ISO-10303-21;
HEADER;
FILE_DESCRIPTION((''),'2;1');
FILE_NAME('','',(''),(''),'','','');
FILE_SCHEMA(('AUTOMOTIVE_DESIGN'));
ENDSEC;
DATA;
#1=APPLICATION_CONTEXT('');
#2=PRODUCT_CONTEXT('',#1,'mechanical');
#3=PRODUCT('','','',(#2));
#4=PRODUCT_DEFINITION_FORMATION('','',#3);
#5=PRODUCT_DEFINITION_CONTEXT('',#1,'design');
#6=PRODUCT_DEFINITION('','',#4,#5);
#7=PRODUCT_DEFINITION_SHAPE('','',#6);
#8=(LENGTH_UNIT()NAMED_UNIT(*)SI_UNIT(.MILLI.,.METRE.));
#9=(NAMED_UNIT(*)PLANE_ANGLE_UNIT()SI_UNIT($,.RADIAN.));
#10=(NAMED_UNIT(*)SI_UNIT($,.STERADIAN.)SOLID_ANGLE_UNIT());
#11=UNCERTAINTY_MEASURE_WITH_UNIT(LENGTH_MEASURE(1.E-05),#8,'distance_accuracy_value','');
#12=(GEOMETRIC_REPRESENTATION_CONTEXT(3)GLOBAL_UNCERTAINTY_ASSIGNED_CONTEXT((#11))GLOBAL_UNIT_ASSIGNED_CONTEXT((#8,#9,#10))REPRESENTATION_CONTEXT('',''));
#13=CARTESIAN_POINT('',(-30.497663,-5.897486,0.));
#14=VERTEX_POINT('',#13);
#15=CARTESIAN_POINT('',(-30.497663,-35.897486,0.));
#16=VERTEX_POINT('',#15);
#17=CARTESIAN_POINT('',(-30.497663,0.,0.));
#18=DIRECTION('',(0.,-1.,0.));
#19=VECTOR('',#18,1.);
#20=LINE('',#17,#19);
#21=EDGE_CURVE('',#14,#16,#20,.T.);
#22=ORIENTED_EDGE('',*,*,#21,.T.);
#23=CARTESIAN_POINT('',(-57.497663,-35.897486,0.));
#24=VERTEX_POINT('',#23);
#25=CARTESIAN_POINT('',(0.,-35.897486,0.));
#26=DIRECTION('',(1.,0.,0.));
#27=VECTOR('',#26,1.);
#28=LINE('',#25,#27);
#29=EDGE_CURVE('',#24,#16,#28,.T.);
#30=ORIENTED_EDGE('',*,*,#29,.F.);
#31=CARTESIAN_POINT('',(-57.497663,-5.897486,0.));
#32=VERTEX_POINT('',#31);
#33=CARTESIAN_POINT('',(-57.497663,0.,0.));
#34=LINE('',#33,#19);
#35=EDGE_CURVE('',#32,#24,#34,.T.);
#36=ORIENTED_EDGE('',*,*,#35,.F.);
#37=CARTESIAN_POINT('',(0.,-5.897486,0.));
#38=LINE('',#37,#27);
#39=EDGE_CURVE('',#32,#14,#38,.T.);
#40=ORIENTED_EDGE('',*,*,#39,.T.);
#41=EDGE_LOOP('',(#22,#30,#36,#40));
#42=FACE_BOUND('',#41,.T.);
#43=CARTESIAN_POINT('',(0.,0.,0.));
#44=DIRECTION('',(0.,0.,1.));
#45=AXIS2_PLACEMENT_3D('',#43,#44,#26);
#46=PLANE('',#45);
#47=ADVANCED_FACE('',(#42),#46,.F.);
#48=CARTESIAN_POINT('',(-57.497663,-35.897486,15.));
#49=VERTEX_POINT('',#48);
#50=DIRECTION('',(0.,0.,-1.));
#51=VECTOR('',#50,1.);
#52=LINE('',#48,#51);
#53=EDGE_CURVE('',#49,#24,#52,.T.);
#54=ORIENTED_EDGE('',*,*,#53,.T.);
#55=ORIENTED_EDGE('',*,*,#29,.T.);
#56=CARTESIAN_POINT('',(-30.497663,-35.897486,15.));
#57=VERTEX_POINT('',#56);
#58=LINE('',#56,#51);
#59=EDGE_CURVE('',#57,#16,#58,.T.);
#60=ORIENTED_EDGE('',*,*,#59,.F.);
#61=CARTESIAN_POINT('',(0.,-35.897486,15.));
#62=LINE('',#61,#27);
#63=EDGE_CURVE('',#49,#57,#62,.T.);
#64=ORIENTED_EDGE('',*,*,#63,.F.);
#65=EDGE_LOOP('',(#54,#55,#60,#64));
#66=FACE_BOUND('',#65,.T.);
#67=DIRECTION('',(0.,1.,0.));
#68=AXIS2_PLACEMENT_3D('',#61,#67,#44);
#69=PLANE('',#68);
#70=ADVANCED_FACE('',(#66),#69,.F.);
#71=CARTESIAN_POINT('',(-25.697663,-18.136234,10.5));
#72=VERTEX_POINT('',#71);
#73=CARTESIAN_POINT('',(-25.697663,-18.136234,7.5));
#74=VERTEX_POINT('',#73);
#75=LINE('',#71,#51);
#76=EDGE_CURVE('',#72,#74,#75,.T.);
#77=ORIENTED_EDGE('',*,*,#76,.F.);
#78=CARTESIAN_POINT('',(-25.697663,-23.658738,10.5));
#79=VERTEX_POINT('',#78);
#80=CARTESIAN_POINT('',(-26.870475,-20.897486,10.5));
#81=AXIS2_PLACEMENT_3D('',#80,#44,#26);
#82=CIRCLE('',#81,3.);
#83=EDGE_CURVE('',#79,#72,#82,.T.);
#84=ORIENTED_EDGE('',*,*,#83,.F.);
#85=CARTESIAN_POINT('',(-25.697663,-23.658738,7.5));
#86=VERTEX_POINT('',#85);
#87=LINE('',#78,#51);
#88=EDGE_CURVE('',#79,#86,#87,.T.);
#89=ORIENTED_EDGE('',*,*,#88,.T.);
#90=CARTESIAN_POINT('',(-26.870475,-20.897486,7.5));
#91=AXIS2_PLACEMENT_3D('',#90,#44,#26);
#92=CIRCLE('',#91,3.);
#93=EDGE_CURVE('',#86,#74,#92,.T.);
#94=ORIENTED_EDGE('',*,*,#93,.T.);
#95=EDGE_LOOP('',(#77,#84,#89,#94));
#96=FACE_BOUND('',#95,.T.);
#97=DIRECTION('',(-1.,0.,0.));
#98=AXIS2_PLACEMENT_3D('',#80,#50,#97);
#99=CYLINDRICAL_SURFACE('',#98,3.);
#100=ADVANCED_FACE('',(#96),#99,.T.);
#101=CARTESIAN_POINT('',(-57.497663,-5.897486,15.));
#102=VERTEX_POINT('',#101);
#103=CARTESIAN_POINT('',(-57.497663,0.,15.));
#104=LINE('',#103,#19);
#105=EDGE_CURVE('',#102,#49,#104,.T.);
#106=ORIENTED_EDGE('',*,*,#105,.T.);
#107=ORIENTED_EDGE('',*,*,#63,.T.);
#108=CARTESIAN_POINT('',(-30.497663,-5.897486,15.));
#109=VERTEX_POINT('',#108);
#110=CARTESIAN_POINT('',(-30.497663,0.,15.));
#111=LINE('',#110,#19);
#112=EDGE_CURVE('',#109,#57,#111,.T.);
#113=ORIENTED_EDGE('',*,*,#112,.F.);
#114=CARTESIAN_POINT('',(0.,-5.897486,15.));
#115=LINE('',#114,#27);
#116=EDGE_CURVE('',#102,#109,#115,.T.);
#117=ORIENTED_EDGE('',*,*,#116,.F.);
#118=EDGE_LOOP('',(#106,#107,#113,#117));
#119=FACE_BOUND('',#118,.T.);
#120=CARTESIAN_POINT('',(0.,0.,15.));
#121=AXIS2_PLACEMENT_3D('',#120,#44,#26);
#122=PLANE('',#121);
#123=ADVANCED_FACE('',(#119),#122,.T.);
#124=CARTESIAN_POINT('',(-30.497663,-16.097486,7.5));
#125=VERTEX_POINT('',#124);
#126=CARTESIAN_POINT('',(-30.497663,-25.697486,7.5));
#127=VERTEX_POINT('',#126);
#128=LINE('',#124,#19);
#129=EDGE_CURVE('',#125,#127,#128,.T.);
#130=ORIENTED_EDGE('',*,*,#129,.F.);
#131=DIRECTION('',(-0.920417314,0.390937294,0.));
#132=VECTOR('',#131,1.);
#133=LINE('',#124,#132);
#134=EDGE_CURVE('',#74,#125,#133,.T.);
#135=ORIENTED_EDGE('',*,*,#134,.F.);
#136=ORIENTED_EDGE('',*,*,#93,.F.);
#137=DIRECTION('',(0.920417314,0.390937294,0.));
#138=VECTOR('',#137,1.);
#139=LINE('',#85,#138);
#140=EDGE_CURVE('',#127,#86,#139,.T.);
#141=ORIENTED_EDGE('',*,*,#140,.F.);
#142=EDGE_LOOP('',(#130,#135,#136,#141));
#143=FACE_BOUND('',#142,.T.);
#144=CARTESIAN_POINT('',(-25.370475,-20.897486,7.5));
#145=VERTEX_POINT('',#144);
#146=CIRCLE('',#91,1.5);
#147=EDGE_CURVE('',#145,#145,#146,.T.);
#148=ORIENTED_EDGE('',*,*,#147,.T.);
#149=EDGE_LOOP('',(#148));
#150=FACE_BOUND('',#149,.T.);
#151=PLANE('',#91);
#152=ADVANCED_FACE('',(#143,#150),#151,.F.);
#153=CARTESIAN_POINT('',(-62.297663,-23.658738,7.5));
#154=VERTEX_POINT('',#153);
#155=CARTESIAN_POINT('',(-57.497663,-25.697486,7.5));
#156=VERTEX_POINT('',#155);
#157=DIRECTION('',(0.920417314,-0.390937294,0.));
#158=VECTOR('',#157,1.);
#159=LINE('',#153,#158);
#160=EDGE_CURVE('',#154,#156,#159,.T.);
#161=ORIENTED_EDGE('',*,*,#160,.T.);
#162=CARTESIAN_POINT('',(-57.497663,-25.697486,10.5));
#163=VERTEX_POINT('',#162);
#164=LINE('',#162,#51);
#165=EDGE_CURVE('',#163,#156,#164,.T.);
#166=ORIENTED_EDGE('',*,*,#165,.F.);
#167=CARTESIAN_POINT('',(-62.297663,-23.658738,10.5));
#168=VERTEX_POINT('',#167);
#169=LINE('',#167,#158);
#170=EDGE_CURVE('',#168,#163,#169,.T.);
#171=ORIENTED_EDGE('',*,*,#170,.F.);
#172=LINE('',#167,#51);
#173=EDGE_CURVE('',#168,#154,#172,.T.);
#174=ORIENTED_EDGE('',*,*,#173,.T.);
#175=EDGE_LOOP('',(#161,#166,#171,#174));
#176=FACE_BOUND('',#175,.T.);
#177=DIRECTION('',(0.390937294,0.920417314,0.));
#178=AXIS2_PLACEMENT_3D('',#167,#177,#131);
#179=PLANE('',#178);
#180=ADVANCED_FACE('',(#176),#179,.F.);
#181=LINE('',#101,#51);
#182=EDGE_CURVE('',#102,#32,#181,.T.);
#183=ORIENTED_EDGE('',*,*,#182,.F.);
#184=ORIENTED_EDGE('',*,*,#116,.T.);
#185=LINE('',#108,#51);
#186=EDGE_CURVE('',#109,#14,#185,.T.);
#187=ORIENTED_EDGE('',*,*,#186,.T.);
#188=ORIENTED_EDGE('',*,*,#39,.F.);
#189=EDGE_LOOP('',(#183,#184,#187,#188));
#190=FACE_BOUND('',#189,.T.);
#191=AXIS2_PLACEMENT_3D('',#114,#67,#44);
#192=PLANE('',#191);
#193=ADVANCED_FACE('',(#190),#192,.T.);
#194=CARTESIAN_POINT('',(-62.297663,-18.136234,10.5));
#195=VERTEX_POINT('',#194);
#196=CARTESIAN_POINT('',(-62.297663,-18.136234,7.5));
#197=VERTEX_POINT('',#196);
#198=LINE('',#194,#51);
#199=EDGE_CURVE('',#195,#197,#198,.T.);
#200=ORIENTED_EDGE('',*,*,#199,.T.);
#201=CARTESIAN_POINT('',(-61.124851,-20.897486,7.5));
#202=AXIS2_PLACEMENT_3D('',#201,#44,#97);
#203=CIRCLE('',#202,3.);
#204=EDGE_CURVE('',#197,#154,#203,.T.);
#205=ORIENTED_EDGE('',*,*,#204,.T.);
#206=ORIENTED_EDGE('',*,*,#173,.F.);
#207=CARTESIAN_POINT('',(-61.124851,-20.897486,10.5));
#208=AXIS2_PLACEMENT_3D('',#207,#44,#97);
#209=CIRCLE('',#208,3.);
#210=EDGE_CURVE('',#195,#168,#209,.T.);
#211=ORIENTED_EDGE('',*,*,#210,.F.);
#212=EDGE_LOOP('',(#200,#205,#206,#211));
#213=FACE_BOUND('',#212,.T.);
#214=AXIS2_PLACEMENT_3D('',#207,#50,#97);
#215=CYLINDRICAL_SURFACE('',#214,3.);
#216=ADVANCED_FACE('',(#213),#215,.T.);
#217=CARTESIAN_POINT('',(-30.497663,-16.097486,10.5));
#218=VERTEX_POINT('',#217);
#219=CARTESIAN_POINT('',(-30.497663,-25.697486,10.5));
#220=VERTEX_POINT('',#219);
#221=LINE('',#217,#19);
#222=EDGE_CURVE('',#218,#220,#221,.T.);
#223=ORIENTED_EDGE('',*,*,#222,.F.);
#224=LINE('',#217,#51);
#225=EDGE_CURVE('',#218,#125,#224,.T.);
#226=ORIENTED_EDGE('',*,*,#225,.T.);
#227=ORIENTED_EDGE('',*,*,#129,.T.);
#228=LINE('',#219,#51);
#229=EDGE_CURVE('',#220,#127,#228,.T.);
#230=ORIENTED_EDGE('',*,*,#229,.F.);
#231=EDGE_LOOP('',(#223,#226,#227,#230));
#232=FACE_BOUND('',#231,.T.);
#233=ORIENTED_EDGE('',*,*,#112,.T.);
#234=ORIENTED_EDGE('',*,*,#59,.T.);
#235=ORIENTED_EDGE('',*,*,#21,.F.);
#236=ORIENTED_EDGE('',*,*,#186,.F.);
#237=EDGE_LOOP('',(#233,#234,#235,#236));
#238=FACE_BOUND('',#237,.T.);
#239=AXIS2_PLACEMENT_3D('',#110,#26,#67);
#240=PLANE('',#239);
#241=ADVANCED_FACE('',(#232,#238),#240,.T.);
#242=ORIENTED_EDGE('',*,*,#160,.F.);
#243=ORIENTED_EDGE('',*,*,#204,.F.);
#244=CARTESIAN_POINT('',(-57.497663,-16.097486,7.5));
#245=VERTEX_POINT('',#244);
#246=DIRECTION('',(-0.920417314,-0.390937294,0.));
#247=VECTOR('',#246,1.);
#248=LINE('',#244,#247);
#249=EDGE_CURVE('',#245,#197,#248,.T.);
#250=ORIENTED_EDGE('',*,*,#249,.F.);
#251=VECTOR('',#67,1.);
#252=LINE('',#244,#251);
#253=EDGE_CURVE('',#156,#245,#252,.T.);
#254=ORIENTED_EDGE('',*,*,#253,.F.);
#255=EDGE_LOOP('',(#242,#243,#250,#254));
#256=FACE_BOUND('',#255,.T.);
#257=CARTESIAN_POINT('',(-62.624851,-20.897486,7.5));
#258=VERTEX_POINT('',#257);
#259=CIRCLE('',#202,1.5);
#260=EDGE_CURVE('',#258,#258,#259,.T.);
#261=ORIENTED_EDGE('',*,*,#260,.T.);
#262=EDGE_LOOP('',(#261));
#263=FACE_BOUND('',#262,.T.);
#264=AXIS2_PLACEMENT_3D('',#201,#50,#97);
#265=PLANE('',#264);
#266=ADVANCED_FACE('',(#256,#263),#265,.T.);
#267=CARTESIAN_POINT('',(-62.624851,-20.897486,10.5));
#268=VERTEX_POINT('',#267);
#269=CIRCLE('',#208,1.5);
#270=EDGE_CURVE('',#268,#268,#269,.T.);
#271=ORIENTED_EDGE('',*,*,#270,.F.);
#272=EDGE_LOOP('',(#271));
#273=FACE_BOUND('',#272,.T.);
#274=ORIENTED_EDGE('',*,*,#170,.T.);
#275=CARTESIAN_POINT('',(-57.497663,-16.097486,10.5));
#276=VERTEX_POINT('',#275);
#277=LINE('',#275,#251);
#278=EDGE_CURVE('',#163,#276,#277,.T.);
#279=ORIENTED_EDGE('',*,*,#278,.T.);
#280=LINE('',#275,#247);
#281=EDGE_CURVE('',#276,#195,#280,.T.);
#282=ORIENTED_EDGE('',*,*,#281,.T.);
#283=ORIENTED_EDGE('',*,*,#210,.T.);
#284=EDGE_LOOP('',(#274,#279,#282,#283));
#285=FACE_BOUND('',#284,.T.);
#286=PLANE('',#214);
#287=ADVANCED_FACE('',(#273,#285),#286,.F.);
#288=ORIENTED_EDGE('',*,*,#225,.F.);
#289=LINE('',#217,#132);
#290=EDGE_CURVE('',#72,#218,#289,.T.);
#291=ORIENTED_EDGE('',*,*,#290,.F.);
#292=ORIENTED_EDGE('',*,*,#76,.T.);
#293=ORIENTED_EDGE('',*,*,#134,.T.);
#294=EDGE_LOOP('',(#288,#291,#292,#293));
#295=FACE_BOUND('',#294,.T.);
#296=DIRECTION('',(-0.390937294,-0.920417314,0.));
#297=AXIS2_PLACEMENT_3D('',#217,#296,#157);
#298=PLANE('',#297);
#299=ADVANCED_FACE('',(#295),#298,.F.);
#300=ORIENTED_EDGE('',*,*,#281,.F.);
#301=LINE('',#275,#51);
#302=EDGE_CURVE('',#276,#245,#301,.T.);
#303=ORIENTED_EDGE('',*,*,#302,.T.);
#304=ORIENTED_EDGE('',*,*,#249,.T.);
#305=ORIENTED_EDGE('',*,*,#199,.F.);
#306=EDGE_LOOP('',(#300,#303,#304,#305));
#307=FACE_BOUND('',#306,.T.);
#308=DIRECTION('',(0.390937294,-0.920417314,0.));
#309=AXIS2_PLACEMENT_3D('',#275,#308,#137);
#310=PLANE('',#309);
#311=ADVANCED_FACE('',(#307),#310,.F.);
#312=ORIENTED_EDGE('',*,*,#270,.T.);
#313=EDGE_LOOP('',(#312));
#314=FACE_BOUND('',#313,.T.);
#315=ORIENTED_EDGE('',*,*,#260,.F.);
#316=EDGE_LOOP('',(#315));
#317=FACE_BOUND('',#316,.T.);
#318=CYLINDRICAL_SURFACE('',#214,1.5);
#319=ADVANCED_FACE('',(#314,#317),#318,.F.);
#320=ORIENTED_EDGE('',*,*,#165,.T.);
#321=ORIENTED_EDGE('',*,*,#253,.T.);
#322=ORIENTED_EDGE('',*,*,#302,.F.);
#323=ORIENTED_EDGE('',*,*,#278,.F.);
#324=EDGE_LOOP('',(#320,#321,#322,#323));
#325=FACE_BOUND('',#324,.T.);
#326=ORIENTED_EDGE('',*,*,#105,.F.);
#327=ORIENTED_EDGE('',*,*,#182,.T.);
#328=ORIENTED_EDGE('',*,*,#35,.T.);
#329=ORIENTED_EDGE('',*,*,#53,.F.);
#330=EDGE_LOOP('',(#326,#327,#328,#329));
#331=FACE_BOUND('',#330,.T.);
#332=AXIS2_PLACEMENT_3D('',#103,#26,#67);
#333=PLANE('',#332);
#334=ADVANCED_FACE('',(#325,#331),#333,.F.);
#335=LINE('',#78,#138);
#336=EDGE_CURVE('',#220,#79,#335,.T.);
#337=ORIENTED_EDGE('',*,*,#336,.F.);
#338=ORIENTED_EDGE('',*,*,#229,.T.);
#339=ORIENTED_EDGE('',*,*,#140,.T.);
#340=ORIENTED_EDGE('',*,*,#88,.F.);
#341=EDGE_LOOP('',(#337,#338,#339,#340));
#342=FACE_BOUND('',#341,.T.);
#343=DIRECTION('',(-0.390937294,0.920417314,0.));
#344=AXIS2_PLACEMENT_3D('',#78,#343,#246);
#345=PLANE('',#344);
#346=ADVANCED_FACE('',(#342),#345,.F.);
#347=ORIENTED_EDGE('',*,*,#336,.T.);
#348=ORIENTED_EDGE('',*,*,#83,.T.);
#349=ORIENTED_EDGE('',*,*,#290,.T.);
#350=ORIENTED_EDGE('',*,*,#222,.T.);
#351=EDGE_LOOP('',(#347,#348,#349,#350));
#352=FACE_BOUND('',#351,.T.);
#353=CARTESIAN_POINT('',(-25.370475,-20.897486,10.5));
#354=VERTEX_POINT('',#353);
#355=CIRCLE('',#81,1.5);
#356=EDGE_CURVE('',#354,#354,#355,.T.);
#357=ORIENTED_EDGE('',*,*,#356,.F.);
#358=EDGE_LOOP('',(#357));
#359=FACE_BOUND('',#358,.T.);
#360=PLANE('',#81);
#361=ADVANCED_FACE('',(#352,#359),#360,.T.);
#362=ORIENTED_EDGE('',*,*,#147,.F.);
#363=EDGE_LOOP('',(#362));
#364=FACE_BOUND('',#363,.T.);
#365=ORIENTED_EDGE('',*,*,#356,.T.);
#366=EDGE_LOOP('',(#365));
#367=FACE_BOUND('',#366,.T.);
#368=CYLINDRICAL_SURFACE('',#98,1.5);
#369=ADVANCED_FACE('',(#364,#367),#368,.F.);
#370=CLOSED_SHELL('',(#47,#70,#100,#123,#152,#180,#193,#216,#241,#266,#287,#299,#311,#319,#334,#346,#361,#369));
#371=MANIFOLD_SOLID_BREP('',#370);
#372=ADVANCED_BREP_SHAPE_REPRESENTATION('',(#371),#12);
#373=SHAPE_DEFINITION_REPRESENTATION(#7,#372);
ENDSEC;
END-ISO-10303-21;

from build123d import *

# Parameters (mm, degrees)
SKETCH1_W           = 27
SKETCH1_H           = 30
BOSS_EXTRUDE3_DEPTH = 15
SKETCH5_R           = 1.5
BOSS_EXTRUDE7_DEPTH = 3


with BuildPart() as part:
    # Sketch1 → Boss-Extrude3 (new body)
    with BuildSketch(Plane.XY):
        with Locations((-43.997662922, -20.897486093)):
            Rectangle(SKETCH1_W, SKETCH1_H)
    extrude(amount=BOSS_EXTRUDE3_DEPTH)

    # Sketch5 → Boss-Extrude7 (add)
    with BuildSketch(Plane.XY.offset(7.5)):
        with BuildLine():
            Line((-30.497662922, -16.097486093), (-25.697662922, -18.13623415))
            ThreePointArc((-25.697662922, -18.13623415), (-23.870474804, -20.897486093), (-25.697662922, -23.658738035))
            Line((-25.697662922, -23.658738035), (-30.497662922, -25.697486093))
            Line((-30.497662922, -25.697486093), (-30.497662922, -16.097486093))
        make_face()
        with Locations((-26.870474804, -20.897486093)):
            Circle(SKETCH5_R, mode=Mode.SUBTRACT)
        with BuildLine():
            Line((-57.497662922, -16.097486093), (-57.497662922, -25.697486093))
            Line((-57.497662922, -25.697486093), (-62.297662922, -23.658738035))
            ThreePointArc((-62.297662922, -23.658738035), (-64.12485104, -20.897486093), (-62.297662922, -18.13623415))
            Line((-62.297662922, -18.13623415), (-57.497662922, -16.097486093))
        make_face()
        with Locations((-61.12485104, -20.897486093)):
            Circle(SKETCH5_R, mode=Mode.SUBTRACT)
    extrude(amount=BOSS_EXTRUDE7_DEPTH)


solid = part.part
